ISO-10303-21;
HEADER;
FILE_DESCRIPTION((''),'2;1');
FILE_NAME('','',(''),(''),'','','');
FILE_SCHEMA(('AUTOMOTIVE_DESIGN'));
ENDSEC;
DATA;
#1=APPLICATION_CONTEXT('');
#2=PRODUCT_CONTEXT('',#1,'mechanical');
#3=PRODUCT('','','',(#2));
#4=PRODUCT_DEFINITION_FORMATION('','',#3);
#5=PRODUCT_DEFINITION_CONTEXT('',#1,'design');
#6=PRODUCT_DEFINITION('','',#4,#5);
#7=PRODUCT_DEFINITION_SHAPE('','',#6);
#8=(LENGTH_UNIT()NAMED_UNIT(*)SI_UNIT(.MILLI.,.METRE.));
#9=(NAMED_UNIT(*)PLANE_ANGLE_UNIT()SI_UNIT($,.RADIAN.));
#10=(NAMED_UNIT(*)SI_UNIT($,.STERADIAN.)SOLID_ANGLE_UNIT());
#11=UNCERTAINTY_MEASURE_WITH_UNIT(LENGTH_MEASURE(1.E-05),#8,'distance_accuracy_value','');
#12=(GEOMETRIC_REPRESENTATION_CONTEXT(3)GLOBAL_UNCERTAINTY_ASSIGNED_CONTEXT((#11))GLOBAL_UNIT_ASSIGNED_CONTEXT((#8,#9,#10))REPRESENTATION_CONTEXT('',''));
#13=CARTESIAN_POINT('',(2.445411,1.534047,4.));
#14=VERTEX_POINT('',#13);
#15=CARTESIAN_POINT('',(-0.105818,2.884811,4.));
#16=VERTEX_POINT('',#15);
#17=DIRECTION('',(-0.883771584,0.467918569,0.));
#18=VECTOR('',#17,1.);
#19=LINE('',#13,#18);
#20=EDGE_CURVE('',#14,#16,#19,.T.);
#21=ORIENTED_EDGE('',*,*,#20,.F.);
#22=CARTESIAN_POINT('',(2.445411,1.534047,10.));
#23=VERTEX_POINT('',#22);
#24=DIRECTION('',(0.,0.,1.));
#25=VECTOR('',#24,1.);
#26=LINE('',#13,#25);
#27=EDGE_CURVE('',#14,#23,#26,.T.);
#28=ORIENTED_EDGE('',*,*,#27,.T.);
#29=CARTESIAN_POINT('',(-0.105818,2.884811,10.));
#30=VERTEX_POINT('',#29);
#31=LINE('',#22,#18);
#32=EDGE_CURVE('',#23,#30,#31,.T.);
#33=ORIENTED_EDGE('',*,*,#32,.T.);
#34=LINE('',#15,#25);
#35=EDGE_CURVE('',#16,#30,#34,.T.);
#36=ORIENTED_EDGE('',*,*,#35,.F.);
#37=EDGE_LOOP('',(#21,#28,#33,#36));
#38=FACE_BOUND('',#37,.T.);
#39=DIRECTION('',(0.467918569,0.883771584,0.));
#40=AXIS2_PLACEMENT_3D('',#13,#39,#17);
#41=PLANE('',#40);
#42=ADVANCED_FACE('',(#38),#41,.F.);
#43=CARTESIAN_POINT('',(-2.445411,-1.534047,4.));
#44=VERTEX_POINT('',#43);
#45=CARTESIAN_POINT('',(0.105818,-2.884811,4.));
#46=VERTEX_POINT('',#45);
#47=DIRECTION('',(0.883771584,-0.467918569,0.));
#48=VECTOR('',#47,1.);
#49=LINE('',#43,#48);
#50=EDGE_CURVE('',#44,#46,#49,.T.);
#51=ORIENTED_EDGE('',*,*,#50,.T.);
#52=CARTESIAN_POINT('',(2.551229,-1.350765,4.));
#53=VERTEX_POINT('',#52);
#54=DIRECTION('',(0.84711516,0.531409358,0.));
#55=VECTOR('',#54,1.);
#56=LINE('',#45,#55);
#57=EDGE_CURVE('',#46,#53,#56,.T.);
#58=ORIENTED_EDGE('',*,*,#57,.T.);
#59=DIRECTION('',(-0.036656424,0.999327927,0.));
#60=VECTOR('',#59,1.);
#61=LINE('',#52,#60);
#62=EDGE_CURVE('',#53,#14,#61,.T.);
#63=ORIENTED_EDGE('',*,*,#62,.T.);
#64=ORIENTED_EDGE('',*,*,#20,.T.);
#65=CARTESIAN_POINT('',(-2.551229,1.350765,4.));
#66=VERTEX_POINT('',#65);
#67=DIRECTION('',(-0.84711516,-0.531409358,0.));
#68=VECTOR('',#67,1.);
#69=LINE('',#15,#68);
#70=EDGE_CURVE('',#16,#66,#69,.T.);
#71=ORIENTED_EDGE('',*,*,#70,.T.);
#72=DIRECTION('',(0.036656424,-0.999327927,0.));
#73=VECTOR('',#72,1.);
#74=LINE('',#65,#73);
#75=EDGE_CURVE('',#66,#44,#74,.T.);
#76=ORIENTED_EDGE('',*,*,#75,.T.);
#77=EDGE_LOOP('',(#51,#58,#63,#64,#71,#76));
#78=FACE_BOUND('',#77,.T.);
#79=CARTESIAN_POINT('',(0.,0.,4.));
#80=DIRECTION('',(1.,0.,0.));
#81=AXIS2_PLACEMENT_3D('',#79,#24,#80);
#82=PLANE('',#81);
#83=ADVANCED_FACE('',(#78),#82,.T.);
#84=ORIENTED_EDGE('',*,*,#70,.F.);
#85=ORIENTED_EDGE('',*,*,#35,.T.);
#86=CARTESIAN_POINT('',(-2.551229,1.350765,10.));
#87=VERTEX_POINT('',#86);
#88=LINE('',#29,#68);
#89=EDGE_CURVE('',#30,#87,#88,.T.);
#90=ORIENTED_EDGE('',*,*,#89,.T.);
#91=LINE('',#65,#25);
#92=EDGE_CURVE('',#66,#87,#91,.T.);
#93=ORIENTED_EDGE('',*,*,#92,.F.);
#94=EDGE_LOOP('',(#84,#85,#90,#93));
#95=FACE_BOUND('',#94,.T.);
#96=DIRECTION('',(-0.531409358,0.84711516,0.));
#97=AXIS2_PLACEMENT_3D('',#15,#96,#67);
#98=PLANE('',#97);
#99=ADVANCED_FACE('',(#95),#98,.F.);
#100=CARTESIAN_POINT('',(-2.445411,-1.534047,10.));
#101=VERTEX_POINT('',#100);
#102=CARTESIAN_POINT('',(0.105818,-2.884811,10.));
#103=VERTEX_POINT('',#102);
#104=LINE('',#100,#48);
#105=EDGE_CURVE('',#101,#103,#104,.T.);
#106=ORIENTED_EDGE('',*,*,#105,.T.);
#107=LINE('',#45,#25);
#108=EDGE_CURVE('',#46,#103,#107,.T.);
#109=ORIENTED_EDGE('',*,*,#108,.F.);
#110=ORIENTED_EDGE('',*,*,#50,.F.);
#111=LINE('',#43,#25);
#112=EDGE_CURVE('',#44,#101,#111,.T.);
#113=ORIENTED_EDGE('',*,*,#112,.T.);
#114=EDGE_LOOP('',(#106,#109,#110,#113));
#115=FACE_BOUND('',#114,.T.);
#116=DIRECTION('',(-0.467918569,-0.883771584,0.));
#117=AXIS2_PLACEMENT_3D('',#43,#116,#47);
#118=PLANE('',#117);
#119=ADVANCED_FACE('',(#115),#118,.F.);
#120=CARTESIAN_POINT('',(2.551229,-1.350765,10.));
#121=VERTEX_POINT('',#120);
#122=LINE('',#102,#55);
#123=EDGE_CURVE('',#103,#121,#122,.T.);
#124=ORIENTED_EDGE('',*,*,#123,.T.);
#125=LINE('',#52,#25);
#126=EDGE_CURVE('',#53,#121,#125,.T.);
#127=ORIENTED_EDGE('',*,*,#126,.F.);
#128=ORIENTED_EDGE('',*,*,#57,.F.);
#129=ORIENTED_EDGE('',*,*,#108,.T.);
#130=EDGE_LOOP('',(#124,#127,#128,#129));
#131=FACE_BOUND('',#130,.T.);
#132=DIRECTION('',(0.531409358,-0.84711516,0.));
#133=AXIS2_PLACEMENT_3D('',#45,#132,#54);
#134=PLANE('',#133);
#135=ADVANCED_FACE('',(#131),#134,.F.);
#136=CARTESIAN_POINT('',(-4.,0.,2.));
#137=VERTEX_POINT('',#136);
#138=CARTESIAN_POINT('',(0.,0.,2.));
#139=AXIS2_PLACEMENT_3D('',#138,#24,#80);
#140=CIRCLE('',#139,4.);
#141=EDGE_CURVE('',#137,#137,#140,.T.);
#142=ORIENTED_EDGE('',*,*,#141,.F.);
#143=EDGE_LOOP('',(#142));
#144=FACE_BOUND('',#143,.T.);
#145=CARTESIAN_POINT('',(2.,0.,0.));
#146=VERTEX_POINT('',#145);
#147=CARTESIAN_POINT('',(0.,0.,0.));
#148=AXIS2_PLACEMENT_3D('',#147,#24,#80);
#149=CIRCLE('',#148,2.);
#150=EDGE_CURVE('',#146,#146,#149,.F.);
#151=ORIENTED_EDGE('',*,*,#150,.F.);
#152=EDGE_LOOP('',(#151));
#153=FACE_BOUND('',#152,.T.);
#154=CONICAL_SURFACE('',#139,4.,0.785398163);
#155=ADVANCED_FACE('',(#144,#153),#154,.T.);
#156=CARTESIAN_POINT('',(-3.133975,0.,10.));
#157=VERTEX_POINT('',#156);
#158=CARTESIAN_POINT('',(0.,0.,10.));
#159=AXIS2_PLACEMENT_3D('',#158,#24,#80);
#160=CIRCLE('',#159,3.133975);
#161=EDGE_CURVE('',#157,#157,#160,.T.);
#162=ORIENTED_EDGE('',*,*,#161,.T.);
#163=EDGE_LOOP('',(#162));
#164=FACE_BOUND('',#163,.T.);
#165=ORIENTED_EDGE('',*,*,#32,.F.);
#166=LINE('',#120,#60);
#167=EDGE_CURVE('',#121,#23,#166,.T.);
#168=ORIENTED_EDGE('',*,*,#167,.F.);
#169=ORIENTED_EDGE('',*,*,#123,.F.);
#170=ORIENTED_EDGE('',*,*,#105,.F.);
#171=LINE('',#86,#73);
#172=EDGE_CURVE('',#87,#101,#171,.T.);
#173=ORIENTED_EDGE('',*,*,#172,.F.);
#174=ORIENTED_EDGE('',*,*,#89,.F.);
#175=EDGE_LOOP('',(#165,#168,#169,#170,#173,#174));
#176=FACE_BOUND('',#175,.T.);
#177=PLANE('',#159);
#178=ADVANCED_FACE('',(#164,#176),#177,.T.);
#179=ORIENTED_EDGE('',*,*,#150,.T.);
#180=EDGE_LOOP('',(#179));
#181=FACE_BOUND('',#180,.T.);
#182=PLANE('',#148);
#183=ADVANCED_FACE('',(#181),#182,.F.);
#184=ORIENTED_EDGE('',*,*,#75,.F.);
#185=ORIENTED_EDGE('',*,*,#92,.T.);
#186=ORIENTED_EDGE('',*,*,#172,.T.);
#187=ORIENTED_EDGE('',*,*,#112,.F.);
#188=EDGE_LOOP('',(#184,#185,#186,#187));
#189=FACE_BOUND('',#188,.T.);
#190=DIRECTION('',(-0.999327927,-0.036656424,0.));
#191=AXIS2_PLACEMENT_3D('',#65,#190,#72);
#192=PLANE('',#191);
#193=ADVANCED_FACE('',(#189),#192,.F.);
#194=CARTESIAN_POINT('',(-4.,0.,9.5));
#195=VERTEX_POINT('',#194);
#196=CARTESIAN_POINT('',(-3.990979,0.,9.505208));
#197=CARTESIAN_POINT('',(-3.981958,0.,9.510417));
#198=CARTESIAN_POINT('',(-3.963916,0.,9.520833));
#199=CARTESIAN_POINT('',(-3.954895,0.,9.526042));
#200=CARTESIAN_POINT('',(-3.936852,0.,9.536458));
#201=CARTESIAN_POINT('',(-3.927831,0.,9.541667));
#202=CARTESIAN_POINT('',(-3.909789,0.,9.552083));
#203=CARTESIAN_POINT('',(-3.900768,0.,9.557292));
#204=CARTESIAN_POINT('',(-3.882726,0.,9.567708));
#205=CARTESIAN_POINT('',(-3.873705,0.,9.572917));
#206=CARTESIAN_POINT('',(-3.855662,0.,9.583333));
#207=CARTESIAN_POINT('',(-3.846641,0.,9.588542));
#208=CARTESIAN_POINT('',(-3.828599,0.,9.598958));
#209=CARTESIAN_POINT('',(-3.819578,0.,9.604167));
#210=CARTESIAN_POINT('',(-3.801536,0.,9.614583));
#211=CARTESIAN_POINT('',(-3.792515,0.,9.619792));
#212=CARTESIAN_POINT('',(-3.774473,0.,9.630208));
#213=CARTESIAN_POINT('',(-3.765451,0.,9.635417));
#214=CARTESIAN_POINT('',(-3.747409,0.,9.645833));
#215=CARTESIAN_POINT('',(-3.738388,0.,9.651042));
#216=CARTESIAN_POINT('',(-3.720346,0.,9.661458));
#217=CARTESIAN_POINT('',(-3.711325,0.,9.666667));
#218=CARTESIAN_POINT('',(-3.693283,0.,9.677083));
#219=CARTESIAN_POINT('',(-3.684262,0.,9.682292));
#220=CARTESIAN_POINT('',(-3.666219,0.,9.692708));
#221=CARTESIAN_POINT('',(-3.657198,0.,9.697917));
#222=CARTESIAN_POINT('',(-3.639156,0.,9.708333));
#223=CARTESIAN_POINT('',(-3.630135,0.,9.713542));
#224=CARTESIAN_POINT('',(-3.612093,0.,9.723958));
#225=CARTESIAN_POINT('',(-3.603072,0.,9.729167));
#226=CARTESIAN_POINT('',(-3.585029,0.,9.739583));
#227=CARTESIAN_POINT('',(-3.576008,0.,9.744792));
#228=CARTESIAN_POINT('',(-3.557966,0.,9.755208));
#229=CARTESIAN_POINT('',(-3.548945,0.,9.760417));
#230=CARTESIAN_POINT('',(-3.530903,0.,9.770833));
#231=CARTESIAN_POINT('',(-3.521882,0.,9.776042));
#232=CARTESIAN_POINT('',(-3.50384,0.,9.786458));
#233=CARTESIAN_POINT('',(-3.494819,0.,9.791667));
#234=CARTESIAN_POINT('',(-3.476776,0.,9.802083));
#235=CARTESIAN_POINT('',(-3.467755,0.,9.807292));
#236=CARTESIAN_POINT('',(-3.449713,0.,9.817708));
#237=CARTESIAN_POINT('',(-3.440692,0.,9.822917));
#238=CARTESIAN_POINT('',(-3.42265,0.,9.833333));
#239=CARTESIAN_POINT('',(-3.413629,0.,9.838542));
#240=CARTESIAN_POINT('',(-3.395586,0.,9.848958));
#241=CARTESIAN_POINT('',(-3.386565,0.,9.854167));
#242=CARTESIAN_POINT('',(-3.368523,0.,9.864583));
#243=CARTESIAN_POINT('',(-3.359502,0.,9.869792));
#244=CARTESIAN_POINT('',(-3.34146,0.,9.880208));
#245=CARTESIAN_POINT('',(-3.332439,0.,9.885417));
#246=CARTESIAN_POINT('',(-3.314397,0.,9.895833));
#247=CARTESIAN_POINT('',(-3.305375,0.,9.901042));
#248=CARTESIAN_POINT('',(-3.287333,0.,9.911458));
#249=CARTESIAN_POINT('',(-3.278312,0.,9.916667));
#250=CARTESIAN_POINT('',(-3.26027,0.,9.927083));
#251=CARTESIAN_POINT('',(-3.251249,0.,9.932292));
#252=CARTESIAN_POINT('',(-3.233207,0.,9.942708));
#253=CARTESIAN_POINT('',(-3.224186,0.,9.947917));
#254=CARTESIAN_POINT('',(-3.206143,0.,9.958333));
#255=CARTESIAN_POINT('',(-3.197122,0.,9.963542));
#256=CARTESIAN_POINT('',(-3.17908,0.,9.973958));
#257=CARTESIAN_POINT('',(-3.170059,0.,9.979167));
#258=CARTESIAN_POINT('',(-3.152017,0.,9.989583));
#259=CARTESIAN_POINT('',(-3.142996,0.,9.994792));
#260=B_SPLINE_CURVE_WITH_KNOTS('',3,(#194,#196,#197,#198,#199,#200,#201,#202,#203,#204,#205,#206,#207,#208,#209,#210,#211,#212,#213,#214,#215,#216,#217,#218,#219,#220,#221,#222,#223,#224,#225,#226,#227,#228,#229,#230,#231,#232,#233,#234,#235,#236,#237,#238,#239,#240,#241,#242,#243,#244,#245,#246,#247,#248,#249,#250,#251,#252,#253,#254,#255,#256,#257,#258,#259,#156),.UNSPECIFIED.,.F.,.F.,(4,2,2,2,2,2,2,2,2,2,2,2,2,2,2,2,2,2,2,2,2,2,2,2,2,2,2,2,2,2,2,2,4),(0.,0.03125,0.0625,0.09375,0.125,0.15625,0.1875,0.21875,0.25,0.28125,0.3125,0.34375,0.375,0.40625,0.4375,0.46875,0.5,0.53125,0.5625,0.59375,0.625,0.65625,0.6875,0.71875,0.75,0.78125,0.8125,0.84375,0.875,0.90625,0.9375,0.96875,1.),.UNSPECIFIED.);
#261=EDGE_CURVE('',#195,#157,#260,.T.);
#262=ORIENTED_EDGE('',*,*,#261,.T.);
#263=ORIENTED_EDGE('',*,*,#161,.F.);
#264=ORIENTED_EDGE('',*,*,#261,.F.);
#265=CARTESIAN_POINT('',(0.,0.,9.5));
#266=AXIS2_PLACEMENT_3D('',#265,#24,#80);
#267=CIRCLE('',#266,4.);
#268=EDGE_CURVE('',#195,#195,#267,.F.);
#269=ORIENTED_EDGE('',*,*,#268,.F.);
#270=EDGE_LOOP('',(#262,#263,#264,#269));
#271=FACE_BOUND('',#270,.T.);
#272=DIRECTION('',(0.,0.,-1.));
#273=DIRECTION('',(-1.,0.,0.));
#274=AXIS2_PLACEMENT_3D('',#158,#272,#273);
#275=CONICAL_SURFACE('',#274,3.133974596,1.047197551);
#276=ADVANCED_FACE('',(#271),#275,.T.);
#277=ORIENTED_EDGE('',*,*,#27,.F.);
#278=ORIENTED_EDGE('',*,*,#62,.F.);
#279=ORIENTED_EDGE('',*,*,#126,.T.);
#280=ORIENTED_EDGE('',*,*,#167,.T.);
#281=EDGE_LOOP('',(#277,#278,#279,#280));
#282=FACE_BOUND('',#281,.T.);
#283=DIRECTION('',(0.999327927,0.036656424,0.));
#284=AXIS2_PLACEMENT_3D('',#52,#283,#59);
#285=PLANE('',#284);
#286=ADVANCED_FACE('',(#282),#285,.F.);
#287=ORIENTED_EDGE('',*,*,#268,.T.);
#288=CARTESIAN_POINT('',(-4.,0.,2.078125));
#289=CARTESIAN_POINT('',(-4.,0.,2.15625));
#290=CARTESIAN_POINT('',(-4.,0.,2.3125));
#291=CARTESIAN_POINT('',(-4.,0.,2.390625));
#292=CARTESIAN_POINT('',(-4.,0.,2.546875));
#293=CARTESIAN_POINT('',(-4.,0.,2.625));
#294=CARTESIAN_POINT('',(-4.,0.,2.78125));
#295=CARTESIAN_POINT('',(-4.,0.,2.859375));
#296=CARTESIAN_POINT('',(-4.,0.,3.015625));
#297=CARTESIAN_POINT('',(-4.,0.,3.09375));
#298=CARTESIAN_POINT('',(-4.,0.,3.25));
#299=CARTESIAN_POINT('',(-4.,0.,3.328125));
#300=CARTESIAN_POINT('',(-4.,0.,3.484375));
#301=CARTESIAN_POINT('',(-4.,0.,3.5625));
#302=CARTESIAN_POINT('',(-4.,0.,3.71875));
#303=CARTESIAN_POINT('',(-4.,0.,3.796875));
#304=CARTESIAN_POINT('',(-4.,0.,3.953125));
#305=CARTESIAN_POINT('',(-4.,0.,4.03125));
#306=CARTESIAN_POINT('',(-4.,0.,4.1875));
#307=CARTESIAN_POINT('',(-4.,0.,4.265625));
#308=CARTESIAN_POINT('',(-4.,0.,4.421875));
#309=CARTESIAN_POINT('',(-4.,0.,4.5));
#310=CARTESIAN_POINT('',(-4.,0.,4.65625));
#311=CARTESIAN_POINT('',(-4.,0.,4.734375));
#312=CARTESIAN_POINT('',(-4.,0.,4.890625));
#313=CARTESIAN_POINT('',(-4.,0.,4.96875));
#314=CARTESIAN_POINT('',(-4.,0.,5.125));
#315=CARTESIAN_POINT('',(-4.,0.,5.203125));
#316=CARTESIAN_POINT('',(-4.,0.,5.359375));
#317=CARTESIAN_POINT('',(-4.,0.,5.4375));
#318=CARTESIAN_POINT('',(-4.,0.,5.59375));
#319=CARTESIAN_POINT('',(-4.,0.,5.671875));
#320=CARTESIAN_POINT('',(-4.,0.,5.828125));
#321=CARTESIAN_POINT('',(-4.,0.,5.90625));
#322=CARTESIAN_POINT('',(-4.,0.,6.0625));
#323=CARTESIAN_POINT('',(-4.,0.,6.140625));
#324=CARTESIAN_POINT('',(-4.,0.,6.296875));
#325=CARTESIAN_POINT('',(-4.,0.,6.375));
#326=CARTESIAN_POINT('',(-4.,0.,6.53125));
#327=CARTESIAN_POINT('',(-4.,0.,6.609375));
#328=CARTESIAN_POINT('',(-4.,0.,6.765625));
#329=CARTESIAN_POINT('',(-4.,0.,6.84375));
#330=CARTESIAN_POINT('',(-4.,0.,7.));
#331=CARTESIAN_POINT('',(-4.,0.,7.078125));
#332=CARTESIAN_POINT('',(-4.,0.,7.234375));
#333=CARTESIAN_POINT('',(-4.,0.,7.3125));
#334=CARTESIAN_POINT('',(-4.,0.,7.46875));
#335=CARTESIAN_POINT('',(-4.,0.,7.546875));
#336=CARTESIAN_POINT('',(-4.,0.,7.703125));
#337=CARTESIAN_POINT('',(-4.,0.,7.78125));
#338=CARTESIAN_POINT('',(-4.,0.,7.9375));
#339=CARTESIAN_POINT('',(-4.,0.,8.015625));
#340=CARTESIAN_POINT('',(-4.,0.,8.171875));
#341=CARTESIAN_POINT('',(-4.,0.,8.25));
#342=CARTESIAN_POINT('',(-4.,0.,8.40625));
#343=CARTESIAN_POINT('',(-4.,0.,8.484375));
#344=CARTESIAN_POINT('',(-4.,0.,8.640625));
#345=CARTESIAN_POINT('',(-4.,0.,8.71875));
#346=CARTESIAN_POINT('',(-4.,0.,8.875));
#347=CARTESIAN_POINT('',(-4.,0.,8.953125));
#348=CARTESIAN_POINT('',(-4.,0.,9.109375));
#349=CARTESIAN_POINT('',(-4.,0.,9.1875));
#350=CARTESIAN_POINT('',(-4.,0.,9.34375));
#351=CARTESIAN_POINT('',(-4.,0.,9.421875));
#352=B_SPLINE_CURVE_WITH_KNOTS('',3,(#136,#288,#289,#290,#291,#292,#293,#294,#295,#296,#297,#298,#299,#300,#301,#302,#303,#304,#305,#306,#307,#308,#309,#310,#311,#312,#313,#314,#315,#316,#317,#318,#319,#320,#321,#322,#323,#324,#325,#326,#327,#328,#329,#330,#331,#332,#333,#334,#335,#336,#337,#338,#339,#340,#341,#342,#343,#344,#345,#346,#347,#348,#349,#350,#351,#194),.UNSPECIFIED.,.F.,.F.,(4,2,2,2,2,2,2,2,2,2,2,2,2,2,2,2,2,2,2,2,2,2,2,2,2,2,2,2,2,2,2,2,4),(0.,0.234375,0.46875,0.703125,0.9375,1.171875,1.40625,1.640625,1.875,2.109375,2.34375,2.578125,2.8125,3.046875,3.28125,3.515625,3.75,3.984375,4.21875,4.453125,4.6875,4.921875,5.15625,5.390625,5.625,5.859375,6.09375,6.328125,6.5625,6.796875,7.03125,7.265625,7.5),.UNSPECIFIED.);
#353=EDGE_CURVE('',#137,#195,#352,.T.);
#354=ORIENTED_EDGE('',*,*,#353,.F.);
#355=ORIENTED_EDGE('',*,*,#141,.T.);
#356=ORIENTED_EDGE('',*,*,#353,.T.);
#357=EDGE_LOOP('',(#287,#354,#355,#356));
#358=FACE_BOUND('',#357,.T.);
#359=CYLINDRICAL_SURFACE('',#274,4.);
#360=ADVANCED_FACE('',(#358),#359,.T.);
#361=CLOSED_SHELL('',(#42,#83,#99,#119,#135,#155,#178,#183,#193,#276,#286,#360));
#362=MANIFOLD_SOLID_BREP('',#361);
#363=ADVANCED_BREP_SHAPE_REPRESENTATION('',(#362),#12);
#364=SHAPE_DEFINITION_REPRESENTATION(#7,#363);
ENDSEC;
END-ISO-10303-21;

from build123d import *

# Parameters (mm, degrees)
ESBO_O1_R                = 4
RESSALTO_EXTRUS_O1_DEPTH = 10
CORTE_EXTRUS_O1_DEPTH    = 6
CHANFRO3_SIZE            = 0.5
CHANFRO3_SIZE2           = 0.866025404
CHANFRO4_SIZE            = 2


with BuildPart() as part:
    # Esboço1 → Ressalto-extrusão1 (new body)
    with BuildSketch(Plane.XY):
        Circle(ESBO_O1_R)
    extrude(amount=RESSALTO_EXTRUS_O1_DEPTH)

    # Esboço2 → Corte-extrusão1 (cut)
    with BuildSketch(Plane.XY.offset(10)):
        Polygon((-0.105817982, 2.88481124), (-2.55122881, 1.350764559), (-2.445410828, -1.53404668), (0.105817982, -2.88481124), (2.55122881, -1.350764559), (2.445410828, 1.53404668), align=None)
    extrude(amount=-CORTE_EXTRUS_O1_DEPTH, mode=Mode.SUBTRACT)

    # Chanfro3
    chanfro3_edges = [part.edges().sort_by_distance(p)[0] for p in [
        (-4, 0, 10),
    ]]
    chanfro3_side = [part.faces().sort_by_distance(p)[0] for p in [
        (-4, 0, 5),
    ]]
    chamfer(chanfro3_edges, length=CHANFRO3_SIZE, length2=CHANFRO3_SIZE2, reference=chanfro3_side[0])

    # Chanfro4
    chanfro4_edges = [part.edges().sort_by_distance(p)[0] for p in [
        (-4, 0, 0),
    ]]
    chamfer(chanfro4_edges, length=CHANFRO4_SIZE)


solid = part.part
